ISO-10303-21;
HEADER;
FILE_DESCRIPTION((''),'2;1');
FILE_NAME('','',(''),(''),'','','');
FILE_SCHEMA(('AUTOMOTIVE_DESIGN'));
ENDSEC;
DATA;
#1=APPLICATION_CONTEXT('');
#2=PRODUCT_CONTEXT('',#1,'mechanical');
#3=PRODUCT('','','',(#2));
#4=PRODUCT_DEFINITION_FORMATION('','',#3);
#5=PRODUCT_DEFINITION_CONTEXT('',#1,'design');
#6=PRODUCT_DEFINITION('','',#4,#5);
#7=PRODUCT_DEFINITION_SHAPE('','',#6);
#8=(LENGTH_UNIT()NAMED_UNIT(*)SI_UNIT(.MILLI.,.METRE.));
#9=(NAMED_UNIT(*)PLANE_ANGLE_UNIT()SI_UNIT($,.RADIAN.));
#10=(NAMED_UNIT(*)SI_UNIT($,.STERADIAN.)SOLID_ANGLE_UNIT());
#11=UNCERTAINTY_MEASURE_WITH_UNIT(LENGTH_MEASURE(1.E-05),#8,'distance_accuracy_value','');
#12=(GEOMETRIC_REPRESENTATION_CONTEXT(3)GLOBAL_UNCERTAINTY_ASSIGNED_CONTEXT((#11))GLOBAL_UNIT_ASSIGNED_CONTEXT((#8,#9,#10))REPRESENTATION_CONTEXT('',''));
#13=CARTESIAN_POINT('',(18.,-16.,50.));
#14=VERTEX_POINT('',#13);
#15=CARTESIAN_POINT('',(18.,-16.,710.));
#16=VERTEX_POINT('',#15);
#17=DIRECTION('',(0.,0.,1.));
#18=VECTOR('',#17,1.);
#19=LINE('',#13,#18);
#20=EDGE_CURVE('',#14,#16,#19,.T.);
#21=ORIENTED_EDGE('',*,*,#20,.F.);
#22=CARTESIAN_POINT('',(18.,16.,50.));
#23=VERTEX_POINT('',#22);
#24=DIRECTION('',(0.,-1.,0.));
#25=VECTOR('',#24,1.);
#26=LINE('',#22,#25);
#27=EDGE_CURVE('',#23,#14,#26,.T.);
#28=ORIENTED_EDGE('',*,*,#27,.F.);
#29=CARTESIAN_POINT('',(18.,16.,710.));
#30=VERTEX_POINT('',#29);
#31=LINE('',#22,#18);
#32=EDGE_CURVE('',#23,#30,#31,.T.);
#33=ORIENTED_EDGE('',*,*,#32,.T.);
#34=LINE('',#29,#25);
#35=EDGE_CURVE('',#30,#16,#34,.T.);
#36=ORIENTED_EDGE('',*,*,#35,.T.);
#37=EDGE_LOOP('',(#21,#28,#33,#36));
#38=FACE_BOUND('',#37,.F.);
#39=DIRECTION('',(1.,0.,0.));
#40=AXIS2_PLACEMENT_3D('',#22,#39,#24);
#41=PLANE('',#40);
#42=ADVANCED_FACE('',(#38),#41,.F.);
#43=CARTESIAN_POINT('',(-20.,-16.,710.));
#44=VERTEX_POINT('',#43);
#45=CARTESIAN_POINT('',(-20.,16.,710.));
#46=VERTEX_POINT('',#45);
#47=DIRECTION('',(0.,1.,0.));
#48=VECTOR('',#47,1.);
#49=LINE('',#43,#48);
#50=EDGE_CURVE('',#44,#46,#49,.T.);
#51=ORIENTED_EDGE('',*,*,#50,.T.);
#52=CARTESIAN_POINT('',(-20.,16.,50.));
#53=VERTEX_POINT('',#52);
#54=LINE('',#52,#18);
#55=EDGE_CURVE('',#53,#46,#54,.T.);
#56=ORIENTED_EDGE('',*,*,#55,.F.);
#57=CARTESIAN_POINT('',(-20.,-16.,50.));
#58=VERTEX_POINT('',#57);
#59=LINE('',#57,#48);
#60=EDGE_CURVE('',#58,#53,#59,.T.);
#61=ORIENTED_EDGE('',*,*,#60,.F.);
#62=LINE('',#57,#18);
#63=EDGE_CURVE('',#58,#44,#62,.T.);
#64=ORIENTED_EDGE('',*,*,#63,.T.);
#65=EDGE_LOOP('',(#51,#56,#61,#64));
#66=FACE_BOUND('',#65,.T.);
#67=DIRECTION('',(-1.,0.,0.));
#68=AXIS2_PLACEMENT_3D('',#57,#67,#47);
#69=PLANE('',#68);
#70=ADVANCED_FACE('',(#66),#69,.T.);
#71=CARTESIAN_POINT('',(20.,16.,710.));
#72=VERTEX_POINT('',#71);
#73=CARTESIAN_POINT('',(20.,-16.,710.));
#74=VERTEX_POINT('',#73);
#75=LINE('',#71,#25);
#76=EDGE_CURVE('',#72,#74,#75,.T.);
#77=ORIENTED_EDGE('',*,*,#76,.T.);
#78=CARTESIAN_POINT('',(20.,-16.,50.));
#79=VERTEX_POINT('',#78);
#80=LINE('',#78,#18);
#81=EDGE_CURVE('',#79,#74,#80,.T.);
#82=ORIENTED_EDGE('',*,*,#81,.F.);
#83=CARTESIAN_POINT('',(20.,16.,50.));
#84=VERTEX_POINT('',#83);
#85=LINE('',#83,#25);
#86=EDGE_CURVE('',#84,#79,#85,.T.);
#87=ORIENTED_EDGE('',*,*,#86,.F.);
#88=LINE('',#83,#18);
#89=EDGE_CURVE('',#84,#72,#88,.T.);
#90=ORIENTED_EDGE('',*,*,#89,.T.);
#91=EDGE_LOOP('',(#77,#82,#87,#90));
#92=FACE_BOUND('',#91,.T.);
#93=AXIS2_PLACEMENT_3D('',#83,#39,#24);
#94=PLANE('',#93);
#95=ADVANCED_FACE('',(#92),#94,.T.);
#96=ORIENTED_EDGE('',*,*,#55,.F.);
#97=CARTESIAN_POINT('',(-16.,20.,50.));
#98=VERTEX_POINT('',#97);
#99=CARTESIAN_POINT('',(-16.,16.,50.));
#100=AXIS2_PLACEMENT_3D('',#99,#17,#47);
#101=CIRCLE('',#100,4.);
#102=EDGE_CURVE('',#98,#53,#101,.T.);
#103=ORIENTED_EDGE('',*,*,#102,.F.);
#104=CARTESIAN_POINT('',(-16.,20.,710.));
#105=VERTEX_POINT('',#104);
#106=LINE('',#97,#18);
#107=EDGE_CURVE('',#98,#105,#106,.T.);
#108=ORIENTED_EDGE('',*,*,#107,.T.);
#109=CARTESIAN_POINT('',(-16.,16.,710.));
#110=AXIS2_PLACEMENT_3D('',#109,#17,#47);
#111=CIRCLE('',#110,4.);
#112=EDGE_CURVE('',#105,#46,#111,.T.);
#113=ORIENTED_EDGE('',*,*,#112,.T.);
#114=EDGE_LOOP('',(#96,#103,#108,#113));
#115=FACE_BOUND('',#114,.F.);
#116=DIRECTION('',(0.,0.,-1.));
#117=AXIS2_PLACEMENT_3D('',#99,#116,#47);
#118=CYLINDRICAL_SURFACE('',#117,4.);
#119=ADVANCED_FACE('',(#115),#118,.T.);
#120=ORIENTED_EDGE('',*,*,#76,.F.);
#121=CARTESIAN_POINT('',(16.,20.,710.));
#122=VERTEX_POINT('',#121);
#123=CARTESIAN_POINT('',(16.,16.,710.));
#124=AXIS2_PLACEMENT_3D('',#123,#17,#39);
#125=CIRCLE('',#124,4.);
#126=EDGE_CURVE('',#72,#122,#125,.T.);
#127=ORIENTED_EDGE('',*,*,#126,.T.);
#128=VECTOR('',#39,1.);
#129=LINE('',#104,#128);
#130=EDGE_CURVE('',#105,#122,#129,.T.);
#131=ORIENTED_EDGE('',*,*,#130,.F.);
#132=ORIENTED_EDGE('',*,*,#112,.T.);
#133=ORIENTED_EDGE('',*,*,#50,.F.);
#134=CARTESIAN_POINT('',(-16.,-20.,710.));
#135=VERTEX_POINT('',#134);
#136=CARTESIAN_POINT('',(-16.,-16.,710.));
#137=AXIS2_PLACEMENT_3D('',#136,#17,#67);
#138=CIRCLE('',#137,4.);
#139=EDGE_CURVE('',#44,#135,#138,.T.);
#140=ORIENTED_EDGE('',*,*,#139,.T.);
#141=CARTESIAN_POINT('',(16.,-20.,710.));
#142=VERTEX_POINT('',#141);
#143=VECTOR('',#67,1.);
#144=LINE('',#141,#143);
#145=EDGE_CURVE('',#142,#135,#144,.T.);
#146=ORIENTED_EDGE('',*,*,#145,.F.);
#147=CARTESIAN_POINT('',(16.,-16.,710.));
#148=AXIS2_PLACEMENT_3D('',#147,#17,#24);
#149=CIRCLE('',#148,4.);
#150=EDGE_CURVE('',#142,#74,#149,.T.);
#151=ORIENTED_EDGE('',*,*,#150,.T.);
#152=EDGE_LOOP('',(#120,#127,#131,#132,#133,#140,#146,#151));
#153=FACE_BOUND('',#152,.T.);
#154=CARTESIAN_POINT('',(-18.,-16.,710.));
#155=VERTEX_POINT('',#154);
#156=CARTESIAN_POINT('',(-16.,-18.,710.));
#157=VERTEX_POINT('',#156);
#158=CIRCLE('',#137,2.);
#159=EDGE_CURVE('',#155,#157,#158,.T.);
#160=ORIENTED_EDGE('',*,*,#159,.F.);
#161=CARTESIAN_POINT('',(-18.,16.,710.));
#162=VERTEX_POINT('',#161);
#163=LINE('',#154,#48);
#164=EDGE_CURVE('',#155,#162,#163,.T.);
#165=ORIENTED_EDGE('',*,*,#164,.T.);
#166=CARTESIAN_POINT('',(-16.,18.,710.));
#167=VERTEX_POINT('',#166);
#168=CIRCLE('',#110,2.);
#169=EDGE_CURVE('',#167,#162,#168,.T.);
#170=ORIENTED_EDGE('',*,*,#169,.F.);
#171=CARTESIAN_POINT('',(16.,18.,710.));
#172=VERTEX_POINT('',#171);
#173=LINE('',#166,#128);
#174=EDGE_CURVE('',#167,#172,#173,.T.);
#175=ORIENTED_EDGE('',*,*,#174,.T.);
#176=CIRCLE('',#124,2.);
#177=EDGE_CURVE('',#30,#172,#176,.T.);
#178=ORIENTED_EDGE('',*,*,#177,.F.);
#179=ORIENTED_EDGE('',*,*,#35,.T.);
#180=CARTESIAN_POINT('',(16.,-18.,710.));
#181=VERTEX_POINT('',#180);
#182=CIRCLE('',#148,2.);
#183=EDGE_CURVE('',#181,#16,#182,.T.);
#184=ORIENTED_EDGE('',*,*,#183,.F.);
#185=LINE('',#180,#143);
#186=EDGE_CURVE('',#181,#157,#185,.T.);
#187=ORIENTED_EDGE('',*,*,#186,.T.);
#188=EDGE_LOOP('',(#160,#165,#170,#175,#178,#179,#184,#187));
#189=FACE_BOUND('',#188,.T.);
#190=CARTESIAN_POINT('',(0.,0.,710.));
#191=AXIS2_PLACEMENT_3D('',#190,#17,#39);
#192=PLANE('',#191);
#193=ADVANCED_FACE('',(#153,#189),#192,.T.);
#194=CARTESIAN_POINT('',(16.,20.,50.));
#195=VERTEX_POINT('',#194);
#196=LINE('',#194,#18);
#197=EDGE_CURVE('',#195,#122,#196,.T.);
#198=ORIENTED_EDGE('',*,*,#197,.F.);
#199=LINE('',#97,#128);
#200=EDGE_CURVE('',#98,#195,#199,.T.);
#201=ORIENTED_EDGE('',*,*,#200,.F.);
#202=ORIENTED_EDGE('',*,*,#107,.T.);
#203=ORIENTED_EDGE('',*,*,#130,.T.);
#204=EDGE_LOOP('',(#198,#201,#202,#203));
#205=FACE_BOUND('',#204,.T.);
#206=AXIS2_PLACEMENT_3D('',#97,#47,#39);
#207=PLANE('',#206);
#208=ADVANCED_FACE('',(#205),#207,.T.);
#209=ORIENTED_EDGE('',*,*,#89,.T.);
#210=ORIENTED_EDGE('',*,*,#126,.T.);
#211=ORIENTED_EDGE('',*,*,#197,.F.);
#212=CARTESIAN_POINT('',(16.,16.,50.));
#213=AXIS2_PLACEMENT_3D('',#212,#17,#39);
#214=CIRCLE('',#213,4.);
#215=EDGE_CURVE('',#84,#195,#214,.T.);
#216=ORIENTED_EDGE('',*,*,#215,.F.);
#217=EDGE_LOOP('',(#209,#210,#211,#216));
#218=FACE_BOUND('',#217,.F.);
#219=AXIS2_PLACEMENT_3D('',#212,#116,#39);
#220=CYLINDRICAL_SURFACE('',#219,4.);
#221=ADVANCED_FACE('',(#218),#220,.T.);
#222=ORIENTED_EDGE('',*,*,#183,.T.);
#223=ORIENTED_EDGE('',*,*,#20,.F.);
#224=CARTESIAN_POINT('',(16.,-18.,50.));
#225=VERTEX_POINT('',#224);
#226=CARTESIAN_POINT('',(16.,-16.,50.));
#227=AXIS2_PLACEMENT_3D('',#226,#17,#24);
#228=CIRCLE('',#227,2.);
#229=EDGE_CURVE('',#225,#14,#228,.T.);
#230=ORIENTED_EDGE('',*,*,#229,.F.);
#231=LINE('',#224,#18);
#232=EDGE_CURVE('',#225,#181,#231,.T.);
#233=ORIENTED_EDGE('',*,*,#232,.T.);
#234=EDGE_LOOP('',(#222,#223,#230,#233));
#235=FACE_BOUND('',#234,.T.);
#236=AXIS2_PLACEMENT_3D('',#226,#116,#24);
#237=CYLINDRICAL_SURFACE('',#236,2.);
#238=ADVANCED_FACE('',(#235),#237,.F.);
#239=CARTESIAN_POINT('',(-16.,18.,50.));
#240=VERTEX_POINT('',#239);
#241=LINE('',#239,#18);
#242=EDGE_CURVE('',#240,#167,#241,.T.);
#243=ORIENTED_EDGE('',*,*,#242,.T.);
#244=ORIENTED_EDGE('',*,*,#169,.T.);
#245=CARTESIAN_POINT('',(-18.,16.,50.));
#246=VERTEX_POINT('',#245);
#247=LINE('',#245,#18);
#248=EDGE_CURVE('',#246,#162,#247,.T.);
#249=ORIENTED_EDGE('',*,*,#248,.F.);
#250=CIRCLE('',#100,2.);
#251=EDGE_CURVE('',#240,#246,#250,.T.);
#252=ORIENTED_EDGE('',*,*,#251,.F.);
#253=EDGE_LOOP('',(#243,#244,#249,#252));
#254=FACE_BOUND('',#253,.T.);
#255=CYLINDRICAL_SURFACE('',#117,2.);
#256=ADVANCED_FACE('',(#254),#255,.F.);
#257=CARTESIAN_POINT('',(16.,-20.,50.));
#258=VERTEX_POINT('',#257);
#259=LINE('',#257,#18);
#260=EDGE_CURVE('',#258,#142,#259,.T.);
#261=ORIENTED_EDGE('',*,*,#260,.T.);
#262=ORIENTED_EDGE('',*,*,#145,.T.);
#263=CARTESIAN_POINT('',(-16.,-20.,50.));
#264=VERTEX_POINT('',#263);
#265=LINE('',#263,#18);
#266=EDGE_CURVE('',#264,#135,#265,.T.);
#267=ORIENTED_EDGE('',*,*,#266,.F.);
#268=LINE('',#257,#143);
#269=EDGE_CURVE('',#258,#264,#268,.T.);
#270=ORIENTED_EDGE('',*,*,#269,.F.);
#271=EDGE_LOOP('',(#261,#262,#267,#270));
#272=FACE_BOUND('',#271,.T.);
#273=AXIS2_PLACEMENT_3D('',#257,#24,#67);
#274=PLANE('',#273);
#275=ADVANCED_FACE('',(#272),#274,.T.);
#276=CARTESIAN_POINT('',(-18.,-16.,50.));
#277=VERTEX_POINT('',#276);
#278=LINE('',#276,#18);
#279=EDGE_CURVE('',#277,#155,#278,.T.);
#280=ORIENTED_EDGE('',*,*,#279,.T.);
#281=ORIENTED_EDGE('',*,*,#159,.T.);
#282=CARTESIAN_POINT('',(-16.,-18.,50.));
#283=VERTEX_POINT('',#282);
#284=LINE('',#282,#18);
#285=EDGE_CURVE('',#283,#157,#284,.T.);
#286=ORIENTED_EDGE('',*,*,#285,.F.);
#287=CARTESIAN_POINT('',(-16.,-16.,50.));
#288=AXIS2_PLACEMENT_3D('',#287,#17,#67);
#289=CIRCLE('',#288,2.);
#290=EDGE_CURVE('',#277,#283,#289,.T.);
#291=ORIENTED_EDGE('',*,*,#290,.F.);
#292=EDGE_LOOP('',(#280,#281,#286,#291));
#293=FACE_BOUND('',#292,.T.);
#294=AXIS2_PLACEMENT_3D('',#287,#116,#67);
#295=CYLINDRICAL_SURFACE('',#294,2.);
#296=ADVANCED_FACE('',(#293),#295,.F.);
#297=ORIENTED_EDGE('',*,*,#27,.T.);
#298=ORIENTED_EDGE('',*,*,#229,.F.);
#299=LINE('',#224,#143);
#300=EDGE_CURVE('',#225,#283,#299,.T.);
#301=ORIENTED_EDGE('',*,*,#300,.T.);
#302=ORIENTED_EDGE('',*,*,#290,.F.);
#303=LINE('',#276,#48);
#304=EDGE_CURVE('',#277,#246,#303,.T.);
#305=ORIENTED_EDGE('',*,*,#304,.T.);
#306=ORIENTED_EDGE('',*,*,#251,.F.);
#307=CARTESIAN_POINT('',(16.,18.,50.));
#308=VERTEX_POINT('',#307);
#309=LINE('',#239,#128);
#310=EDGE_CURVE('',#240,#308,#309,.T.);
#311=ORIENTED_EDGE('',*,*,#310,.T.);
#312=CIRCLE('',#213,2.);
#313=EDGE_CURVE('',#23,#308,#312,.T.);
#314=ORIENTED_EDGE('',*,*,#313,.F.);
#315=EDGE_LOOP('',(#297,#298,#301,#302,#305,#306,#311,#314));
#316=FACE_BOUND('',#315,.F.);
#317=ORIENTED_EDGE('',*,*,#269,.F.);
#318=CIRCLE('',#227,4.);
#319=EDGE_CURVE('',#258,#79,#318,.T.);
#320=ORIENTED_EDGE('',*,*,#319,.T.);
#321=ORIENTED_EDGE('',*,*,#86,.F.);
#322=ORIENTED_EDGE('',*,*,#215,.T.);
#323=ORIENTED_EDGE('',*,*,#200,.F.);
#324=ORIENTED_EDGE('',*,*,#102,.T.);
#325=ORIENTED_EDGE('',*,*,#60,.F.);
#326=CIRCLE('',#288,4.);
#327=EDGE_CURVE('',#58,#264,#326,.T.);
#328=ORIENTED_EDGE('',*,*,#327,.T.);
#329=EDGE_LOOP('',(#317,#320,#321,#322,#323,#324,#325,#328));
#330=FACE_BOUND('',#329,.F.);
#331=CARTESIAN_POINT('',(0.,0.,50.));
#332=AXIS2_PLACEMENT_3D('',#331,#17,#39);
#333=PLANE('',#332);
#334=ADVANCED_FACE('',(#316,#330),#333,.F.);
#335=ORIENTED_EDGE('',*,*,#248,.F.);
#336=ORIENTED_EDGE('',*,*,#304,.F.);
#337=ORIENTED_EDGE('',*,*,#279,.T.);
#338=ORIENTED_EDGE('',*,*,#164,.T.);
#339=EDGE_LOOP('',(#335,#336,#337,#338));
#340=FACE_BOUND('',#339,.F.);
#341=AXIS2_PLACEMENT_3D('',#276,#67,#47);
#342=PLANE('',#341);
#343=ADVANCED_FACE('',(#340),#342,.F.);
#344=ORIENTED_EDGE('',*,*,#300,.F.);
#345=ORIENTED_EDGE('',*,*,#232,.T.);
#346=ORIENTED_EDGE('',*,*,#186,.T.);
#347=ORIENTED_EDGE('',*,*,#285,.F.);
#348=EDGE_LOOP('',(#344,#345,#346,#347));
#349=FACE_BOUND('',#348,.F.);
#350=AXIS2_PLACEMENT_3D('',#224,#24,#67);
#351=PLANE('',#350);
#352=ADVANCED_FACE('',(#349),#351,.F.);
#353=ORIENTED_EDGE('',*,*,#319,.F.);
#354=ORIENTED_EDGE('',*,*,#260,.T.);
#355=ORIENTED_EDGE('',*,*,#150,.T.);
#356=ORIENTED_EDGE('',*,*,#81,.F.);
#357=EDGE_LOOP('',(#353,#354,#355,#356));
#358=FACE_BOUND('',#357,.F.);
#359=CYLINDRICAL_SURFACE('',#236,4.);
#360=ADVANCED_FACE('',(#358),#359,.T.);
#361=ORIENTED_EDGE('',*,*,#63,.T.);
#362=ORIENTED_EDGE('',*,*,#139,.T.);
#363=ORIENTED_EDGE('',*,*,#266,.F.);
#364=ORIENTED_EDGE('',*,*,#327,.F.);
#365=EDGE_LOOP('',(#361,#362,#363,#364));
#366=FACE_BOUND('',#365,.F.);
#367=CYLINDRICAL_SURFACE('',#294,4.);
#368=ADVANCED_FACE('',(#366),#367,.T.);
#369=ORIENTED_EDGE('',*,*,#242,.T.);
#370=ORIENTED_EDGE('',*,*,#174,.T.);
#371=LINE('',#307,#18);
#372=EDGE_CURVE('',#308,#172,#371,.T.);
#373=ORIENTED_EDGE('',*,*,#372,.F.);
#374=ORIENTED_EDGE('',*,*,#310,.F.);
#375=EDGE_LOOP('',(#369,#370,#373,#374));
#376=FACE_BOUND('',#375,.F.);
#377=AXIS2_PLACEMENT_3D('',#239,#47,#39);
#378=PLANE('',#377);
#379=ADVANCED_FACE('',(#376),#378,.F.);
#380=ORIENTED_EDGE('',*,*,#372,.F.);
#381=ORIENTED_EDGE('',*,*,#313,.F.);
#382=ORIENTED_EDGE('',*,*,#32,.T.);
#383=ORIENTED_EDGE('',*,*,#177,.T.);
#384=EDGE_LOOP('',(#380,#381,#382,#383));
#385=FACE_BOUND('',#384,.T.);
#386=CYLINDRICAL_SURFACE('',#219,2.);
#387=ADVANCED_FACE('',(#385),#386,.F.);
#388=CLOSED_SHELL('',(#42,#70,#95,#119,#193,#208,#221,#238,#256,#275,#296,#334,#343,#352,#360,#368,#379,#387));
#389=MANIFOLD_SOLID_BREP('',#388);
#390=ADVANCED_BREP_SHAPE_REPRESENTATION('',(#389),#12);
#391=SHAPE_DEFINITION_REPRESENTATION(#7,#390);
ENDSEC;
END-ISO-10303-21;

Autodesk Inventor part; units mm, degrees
ref_plane "YZ Plane" through (0, 0, 0) normal (1, 0, 0) x (0, 1, 0)
ref_plane "Start Plane" through (0, 0, 50) normal (0, 0, 1) x (1, 0, 0)
ref_plane "End Plane" through (0, 0, 710) normal (0, 0, 1) x (1, 0, 0)
sketch "Sketch" plane through (0, 0, 0) normal (0, 0, 1) x (1, 0, 0)
  line L0 (-20, -16) -> (-20, 16)
  line L1 (-16, 20) -> (16, 20)
  line L2 (20, 16) -> (20, -16)
  line L3 (16, -20) -> (-16, -20)
  arc A0 (-20, -16) -> (-16, -20) centre (-16, -16) ccw
  arc A1 (20, 16) -> (16, 20) centre (16, 16) ccw
  arc A2 (-16, 20) -> (-20, 16) centre (-16, 16) ccw
  arc A3 (16, -20) -> (20, -16) centre (16, -16) ccw
  arc A4 (-16, 18) -> (-18, 16) centre (-16, 16) ccw
  line L4 (-16, 18) -> (16, 18)
  arc A5 (18, 16) -> (16, 18) centre (16, 16) ccw
  line L5 (18, 16) -> (18, -16)
  arc A6 (16, -18) -> (18, -16) centre (16, -16) ccw
  line L6 (16, -18) -> (-16, -18)
  arc A7 (-18, -16) -> (-16, -18) centre (-16, -16) ccw
  line L7 (-18, -16) -> (-18, 16)
  line L8 (0, 29.1598) -> (0, -29.1598) construction
  line L9 (-29.1598, 0) -> (29.1598, 0) construction
  dimension "d7" = 4
  dimension "d9" = 40
  dimension "d11" = 40
  dimension "d12" = 2
  dimension "d15" = 20
  dimension "d16" = 20
extrude "Body" add sketch "Sketch" along normal up to surface (660 mm away) from surface at 50
sketch "Sketch3" plane through (0, 0, 0) normal (0, 0, 1) x (1, 0, 0)
  line L0 (0, 0) -> (10, 0)
ref_plane "Work Plane3" through (0, 0, 0) normal (0, -1, 0) x (1, 0, 0)
sketch "Sketch4" plane through (0, 0, 0) normal (0, -1, 0) x (1, 0, 0)
  line L0 (-2, 50) -> (12, 50) projected
  line L1 (-2, 710) -> (12, 710) projected
  dimension "d18" = 660
equation "\"d7\" = G_IR"
equation "\"d9\" = G_W"
equation "\"d11\" = G_H"
equation "\"d12\" = G_T"
equation "\"d15\" = 0.5 * d9"
equation "\"d16\" = 0.5 * d11"
equation "\"d3\" = G_L"
equation "\"G_W\" = 40"
equation "\"G_H\" = 40"
equation "\"G_T\" = 2"
equation "\"G_IR\" = 4"
equation "\"G_L\" = d18"
properties part number "ISO 10799-2 - 40x40x2 - 660" material "Steel, Mild"
